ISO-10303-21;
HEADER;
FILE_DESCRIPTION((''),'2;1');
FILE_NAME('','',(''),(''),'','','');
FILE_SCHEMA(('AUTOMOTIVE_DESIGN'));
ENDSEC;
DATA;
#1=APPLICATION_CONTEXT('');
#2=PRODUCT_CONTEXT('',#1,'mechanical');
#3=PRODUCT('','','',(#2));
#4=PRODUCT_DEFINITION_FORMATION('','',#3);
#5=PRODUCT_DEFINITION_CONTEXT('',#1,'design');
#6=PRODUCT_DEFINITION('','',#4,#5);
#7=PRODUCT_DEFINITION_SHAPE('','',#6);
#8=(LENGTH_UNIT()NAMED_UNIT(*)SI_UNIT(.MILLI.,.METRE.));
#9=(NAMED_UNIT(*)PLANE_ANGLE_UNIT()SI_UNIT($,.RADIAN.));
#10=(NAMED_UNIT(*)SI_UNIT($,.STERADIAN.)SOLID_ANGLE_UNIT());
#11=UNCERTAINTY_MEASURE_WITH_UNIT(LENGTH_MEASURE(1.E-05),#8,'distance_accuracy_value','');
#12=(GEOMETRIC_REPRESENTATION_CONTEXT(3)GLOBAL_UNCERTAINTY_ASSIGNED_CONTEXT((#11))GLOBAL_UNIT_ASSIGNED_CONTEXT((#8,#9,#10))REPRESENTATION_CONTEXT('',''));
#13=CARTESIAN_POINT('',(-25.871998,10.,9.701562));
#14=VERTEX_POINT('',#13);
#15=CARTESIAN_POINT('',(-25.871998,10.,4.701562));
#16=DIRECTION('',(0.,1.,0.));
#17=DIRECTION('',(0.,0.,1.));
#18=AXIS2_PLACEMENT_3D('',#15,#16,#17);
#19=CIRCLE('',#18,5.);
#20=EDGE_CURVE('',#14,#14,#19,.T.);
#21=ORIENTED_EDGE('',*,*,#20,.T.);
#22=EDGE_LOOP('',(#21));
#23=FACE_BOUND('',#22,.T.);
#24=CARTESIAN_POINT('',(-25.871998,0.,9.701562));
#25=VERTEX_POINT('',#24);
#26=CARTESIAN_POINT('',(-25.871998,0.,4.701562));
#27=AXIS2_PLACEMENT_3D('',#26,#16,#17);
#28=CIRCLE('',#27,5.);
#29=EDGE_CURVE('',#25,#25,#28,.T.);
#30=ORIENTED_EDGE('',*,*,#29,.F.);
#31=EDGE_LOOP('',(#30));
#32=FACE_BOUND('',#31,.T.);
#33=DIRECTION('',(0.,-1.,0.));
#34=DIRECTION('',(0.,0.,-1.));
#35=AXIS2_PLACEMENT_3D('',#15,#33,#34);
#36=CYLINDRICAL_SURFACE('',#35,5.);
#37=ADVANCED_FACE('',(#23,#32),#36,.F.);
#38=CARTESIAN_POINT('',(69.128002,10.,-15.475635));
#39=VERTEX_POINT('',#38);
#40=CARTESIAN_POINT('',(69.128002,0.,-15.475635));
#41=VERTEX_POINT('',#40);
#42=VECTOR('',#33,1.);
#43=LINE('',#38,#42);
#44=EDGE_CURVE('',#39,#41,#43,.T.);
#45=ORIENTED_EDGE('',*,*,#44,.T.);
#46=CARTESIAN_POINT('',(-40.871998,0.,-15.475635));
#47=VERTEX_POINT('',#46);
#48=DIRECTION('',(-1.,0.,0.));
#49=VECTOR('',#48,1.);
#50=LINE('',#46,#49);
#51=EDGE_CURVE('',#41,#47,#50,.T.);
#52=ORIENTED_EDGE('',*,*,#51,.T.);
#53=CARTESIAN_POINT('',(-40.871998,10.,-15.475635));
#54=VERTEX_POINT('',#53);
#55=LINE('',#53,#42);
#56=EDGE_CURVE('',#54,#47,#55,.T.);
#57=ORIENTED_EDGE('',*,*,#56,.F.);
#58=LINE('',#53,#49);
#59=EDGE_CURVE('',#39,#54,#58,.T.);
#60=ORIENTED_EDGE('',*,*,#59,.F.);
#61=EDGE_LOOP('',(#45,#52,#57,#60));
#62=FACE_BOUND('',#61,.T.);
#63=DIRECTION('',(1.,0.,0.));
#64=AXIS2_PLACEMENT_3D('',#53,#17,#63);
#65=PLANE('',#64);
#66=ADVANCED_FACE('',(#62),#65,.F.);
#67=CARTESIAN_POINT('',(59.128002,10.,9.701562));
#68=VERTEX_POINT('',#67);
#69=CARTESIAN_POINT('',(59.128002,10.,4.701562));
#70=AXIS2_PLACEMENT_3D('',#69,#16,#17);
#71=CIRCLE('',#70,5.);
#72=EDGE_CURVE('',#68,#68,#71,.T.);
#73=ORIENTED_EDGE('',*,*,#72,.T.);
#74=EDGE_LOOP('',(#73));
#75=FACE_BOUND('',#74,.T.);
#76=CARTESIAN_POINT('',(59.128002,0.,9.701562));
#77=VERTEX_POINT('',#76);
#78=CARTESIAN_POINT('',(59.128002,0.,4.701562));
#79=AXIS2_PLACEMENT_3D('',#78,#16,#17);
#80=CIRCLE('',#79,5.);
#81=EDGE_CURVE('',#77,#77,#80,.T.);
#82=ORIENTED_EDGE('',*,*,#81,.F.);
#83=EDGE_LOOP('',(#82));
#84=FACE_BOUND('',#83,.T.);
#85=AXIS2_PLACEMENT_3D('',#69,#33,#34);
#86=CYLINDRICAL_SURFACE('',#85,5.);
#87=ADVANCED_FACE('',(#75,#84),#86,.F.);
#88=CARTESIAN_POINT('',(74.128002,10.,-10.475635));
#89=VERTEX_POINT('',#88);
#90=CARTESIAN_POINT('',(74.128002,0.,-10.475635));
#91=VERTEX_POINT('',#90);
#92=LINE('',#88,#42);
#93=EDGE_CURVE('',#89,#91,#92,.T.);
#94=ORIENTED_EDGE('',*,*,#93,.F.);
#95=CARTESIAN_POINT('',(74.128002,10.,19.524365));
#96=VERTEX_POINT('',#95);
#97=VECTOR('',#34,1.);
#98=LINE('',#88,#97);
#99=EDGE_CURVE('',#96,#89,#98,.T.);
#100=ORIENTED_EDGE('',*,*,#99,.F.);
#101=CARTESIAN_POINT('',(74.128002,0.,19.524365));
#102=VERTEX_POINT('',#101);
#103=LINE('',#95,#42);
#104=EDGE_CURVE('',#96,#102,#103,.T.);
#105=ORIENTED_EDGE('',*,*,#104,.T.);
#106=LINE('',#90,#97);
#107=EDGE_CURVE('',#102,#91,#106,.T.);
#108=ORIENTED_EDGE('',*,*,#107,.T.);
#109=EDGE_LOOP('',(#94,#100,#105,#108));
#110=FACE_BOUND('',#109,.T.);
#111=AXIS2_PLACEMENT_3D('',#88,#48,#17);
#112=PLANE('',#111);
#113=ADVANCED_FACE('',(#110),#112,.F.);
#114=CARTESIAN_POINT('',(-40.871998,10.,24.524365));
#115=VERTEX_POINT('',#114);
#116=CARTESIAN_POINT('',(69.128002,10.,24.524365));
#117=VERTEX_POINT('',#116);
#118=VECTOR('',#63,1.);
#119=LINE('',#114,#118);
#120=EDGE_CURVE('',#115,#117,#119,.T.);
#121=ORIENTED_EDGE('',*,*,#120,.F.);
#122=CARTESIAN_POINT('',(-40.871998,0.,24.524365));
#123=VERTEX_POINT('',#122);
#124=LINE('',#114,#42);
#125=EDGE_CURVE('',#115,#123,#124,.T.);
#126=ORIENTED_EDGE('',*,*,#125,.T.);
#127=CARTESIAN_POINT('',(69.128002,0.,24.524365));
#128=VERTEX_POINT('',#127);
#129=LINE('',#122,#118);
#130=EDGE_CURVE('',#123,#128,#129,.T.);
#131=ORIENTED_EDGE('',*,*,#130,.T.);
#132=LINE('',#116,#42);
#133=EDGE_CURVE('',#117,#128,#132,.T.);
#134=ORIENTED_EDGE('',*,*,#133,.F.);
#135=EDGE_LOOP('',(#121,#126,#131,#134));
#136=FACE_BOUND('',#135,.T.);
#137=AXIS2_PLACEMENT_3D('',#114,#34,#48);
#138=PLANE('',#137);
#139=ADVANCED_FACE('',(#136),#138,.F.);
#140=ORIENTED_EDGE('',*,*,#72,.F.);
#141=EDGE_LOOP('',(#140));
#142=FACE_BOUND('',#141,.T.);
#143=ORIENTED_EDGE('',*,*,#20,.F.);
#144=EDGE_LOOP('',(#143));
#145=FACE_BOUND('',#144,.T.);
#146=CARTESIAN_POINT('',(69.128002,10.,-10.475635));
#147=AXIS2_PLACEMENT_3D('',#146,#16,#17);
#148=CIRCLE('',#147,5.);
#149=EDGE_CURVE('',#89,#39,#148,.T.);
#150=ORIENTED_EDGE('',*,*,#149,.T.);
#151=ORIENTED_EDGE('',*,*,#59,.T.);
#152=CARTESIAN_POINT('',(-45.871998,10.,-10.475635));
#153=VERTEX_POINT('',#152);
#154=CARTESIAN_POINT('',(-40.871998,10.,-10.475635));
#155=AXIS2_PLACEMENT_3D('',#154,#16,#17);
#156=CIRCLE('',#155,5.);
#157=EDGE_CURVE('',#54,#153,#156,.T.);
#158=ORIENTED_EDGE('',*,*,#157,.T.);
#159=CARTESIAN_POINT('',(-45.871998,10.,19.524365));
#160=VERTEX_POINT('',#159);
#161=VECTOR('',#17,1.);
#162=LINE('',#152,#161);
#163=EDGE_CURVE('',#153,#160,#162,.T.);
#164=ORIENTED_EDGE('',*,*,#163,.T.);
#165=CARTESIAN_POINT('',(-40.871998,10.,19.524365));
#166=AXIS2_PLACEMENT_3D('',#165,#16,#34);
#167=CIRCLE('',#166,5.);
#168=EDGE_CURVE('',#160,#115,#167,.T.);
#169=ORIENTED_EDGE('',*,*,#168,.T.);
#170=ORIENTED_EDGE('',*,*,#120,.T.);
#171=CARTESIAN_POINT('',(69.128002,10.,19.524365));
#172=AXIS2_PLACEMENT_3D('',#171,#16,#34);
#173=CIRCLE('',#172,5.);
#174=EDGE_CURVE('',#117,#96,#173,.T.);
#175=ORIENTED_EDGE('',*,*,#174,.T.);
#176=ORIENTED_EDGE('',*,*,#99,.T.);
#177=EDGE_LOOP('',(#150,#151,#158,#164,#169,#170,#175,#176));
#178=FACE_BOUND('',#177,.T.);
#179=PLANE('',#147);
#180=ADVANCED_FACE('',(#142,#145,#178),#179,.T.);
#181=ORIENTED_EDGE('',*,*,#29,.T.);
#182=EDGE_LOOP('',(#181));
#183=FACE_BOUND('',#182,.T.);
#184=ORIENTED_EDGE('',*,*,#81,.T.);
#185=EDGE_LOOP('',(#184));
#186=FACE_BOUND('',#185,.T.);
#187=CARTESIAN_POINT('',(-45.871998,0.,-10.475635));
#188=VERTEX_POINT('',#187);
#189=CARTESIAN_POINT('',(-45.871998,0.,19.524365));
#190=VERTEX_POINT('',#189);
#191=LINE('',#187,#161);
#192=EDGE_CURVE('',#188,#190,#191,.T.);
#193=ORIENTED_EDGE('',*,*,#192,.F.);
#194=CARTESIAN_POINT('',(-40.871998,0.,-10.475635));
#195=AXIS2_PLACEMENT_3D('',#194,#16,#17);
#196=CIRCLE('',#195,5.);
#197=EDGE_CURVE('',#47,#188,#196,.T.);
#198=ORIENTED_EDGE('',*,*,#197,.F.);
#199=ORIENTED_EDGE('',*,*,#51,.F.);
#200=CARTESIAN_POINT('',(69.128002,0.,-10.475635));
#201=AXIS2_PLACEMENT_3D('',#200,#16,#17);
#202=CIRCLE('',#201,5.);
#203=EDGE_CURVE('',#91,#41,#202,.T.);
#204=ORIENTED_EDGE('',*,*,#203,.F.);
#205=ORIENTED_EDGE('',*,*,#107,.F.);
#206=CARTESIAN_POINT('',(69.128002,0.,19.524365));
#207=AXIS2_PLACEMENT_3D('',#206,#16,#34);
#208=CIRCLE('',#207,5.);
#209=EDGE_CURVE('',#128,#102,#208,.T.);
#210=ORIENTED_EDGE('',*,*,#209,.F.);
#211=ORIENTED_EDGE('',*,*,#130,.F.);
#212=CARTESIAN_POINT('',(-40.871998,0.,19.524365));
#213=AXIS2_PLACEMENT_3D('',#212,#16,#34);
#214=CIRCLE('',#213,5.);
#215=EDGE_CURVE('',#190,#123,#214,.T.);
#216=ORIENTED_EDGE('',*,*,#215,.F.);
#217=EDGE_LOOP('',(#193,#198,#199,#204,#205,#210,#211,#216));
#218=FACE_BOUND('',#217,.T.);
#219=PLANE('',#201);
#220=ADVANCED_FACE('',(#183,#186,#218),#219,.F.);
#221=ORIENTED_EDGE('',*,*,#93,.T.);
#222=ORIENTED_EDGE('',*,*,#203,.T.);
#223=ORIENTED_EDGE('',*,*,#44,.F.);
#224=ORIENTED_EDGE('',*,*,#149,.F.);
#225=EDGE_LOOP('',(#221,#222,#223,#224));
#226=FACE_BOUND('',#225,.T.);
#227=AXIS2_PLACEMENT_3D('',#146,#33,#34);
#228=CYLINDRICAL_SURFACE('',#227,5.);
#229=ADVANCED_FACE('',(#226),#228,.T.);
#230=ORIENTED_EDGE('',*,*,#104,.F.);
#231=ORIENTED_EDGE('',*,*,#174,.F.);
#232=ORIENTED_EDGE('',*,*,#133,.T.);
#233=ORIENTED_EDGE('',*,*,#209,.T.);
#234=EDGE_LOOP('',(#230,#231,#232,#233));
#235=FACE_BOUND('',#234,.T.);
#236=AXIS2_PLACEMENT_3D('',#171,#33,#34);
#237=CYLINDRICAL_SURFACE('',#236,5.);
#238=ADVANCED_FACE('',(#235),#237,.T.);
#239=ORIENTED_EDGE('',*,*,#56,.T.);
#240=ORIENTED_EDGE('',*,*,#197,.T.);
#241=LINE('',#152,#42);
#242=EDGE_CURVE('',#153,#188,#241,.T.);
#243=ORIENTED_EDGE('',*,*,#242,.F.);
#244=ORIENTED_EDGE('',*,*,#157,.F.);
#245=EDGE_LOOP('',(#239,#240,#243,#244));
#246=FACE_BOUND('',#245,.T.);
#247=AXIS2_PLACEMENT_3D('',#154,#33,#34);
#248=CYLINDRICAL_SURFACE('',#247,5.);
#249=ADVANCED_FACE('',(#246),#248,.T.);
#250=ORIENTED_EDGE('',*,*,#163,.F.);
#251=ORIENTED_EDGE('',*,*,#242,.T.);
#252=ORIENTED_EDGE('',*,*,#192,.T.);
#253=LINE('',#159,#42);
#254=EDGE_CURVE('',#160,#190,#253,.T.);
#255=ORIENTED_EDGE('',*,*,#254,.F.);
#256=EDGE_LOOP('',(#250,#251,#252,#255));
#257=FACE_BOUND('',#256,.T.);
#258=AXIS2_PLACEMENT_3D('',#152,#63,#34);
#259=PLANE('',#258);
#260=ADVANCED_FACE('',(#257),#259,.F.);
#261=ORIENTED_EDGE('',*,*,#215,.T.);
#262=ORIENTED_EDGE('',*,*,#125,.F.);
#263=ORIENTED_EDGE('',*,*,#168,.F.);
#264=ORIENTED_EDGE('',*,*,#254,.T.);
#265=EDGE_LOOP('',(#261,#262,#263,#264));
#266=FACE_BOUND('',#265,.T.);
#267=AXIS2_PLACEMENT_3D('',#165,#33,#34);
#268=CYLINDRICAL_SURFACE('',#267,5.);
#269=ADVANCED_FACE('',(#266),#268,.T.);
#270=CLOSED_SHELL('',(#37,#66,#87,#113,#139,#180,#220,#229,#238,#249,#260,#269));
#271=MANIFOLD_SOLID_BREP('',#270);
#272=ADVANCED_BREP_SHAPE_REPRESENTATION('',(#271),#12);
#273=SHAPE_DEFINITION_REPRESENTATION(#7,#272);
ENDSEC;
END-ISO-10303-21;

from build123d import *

# Parameters (mm, degrees)
SKETCH1_R           = 5
BOSS_EXTRUDE1_DEPTH = 10


with BuildPart() as part:
    # Sketch1 → Boss-Extrude1 (new body)
    with BuildSketch(Plane(origin=(0, 0, 0), x_dir=(1, 0, 0), z_dir=(0, 1, 0))):
        with BuildLine():
            Line((-40.871998364, 15.475635224), (69.128001636, 15.475635224))
            ThreePointArc((69.128001636, 15.475635224), (72.663535542, 14.011169129), (74.128001636, 10.475635224))
            Line((74.128001636, 10.475635224), (74.128001636, -19.524364776))
            ThreePointArc((74.128001636, -19.524364776), (72.663535542, -23.059898682), (69.128001636, -24.524364776))
            Line((69.128001636, -24.524364776), (-40.871998364, -24.524364776))
            ThreePointArc((-40.871998364, -24.524364776), (-44.40753227, -23.059898682), (-45.871998364, -19.524364776))
            Line((-45.871998364, -19.524364776), (-45.871998364, 10.475635224))
            ThreePointArc((-45.871998364, 10.475635224), (-44.40753227, 14.011169129), (-40.871998364, 15.475635224))
        make_face()
        with Locations((-25.871998364, -4.701562159)):
            Circle(SKETCH1_R, mode=Mode.SUBTRACT)
        with Locations((59.128001636, -4.701562159)):
            Circle(SKETCH1_R, mode=Mode.SUBTRACT)
    extrude(amount=BOSS_EXTRUDE1_DEPTH)


solid = part.part
